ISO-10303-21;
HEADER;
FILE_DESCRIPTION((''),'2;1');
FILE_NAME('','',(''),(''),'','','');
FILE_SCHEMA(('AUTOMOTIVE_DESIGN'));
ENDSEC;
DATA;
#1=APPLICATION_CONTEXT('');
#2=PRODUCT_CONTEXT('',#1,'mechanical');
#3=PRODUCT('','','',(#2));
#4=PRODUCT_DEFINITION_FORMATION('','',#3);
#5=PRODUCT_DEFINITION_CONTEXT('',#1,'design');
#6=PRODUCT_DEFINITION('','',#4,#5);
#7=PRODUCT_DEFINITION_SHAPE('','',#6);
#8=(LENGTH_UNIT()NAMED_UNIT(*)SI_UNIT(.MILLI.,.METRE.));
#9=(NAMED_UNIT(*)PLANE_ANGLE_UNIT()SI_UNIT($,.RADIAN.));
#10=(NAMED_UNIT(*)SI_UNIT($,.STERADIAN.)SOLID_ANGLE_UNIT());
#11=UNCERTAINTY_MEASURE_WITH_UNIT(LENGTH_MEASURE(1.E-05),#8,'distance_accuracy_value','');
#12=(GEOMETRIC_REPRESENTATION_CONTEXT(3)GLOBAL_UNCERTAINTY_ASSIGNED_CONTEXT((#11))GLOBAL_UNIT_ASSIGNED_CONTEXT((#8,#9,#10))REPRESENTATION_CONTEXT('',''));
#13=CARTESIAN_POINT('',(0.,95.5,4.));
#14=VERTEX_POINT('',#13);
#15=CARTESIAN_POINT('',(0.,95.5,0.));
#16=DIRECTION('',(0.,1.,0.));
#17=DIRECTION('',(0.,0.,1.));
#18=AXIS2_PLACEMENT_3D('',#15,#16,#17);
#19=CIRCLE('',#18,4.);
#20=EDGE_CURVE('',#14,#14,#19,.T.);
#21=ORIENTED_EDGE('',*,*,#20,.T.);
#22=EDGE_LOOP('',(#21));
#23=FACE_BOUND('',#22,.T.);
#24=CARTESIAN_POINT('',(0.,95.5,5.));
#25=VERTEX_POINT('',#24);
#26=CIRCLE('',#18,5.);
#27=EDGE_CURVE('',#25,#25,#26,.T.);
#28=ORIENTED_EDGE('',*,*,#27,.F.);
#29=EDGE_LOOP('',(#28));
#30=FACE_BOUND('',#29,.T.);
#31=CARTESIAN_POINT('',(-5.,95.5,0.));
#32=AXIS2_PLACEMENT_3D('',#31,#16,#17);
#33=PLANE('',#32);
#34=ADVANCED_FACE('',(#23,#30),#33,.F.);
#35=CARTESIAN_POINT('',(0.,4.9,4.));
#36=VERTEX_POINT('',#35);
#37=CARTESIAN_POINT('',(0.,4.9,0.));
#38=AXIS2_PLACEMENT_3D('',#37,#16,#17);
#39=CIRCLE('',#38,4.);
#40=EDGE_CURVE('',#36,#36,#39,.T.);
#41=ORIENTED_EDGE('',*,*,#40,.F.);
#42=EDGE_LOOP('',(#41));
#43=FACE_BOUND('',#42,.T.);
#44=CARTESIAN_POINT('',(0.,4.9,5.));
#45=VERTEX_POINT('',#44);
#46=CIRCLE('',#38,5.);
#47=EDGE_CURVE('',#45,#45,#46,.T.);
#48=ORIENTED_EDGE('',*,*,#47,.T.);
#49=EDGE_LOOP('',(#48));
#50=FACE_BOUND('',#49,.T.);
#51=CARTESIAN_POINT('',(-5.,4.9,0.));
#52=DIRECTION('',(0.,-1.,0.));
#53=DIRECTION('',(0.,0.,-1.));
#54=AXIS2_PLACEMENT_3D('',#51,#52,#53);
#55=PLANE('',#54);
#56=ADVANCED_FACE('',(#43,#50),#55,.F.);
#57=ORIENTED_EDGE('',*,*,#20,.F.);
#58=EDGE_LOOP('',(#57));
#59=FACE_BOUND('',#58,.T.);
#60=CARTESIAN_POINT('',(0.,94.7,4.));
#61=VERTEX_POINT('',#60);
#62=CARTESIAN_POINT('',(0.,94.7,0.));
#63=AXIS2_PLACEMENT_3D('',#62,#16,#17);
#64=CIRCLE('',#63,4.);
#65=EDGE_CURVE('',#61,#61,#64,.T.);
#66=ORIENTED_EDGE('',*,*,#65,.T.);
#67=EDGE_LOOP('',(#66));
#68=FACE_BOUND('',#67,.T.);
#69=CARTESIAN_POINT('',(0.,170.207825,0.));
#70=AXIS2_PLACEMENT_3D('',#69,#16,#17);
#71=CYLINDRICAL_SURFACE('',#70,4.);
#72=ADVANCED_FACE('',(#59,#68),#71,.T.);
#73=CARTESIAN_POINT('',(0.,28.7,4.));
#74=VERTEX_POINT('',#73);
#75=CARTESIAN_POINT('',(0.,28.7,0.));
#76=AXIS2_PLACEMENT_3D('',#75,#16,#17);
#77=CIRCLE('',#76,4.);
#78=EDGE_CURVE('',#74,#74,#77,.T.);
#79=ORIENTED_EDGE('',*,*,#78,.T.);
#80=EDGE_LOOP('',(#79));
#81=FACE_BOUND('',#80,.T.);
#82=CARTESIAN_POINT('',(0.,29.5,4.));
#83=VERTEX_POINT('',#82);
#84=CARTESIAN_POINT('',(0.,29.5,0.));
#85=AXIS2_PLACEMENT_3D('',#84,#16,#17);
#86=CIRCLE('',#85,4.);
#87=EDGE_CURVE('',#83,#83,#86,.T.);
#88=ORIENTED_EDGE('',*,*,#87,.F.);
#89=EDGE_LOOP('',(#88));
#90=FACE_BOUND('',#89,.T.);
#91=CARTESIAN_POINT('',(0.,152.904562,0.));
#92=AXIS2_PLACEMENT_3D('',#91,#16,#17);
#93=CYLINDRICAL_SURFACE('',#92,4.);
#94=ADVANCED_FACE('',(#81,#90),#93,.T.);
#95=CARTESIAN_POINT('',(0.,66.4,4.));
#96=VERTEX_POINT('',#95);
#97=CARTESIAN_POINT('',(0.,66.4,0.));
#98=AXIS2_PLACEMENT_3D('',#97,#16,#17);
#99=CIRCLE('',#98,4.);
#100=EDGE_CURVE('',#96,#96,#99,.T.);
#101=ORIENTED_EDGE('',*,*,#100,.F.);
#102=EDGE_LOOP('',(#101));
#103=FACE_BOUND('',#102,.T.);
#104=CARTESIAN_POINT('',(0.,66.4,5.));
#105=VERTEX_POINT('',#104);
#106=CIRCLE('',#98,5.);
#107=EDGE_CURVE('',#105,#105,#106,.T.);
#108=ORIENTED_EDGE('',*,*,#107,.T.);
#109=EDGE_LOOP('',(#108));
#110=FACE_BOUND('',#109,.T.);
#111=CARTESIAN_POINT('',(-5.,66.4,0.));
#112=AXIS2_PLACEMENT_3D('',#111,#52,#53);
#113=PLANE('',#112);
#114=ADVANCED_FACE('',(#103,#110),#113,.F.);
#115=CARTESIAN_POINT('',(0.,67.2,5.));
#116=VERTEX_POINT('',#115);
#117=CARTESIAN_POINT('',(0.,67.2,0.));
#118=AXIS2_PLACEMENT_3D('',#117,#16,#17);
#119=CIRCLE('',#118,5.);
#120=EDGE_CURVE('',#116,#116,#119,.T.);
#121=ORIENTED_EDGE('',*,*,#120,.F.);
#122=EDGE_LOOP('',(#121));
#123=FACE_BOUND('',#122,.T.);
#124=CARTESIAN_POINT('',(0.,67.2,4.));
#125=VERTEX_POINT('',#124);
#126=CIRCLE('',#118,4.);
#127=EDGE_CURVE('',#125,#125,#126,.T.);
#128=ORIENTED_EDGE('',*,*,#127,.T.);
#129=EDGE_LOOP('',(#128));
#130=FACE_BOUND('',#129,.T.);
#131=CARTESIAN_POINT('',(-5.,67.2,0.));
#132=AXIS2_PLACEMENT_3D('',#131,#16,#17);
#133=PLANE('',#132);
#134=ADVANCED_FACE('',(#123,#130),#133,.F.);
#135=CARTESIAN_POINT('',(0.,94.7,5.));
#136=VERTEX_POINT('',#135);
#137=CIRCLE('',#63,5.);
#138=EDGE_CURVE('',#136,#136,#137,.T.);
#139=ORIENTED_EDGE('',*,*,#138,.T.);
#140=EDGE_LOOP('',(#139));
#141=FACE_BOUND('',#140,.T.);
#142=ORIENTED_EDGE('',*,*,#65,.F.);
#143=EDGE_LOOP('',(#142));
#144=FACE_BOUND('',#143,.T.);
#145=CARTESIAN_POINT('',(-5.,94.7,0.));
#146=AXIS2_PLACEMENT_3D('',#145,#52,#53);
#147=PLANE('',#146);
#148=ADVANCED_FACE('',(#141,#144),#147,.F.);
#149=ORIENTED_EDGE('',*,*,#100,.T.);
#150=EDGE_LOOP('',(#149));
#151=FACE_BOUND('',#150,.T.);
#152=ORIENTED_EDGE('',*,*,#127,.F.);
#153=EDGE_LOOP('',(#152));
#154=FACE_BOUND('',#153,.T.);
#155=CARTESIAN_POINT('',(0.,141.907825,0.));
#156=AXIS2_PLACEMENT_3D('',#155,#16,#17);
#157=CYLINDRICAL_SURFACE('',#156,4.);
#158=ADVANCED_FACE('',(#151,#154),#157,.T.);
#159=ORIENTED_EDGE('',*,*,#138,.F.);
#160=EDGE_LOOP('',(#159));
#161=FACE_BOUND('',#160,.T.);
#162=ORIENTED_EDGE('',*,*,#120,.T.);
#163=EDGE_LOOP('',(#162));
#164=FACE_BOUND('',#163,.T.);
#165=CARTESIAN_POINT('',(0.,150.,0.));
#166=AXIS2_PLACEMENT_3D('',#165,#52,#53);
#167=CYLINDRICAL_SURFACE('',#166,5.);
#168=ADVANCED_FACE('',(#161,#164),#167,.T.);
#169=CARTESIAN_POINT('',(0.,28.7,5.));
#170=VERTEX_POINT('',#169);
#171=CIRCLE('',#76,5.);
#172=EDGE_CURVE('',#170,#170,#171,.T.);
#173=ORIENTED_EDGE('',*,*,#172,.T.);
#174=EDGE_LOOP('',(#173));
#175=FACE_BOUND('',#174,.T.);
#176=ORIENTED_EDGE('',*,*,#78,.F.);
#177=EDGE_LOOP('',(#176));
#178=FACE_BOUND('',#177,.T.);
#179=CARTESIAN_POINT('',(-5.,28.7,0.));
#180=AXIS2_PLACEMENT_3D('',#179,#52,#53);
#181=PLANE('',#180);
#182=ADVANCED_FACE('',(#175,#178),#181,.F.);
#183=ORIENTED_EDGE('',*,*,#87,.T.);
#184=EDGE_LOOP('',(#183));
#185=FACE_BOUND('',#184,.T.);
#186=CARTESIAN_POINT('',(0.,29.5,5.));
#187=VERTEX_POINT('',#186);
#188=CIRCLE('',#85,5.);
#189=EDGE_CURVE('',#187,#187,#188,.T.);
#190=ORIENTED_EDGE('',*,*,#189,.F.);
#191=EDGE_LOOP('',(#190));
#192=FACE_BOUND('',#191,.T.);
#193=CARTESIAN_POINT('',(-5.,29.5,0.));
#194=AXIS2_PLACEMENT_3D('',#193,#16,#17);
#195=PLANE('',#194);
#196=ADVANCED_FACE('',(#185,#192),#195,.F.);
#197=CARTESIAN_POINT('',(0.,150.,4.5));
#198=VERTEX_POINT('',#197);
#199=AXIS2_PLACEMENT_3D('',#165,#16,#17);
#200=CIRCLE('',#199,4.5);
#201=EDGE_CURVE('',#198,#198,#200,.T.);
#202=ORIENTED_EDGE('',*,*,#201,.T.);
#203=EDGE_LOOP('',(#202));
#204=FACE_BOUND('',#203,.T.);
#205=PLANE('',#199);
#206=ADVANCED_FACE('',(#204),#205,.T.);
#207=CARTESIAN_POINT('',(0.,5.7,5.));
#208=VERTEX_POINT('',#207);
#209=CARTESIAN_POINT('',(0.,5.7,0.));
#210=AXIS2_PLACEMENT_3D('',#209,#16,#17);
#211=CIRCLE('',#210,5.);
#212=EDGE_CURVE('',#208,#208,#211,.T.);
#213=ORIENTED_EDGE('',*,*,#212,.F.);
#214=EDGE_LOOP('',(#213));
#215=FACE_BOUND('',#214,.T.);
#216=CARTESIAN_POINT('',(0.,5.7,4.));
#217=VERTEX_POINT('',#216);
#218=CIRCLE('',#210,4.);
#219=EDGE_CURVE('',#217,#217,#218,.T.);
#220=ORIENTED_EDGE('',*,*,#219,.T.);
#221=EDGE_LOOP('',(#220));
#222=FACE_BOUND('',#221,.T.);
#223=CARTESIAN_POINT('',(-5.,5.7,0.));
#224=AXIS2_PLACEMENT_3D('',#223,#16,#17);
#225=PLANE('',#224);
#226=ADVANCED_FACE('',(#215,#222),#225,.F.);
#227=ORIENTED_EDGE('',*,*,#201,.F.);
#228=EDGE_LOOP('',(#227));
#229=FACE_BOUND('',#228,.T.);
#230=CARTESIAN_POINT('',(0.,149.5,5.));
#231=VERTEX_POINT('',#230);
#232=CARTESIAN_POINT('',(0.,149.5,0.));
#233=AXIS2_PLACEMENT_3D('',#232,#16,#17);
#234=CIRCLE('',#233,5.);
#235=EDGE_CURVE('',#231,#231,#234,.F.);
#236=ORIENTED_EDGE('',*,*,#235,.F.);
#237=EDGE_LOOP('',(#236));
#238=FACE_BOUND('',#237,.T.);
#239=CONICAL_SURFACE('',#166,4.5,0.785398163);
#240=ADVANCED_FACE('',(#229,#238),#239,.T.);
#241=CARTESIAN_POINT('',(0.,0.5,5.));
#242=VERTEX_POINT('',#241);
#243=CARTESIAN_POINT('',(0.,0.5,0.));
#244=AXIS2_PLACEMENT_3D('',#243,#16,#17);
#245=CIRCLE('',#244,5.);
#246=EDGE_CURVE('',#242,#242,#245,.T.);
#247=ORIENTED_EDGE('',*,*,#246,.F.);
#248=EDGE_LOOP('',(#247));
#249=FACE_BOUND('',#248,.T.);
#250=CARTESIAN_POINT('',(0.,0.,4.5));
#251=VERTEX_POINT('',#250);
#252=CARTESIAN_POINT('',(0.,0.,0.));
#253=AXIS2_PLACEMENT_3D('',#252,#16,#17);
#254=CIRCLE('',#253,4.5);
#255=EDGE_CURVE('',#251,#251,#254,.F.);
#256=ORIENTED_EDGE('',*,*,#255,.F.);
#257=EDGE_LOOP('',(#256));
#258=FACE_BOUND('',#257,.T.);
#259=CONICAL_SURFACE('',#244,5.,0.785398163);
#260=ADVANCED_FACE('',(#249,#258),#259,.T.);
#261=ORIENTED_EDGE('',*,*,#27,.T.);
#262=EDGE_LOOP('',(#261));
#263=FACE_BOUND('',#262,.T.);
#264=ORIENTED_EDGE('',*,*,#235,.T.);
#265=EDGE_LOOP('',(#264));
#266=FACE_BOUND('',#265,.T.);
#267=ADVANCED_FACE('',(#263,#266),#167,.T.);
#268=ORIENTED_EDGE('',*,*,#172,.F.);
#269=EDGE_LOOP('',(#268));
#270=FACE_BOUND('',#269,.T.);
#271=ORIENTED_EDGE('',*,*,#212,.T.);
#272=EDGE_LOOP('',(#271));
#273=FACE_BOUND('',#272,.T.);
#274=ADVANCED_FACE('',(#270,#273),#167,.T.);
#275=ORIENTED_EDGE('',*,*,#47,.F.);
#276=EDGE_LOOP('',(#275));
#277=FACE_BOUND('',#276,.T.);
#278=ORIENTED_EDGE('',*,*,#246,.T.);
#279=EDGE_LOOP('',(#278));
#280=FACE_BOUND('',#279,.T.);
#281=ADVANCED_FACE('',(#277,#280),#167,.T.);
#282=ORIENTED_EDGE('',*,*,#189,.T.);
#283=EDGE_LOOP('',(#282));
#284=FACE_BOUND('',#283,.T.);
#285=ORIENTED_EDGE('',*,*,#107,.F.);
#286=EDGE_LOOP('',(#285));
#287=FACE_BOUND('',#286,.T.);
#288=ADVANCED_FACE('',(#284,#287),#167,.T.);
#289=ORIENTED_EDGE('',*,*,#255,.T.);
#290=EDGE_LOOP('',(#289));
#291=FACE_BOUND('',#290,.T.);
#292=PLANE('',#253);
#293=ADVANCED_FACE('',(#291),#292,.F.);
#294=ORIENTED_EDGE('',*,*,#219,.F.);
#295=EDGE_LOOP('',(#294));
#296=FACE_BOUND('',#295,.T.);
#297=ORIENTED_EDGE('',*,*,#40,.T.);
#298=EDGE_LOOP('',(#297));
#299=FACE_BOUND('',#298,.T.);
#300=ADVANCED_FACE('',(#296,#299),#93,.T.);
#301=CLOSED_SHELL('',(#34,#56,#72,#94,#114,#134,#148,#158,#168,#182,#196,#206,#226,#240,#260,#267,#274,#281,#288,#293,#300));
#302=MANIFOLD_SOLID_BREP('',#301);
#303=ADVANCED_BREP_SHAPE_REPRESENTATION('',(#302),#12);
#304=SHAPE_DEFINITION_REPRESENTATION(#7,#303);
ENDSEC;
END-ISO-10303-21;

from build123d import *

# Parameters (mm, degrees)
SKETCH1_R           = 5
BOSS_EXTRUDE1_DEPTH = 150
CHAMFER1_SIZE       = 0.5
SKETCH2_W           = 1
SKETCH2_H           = 0.8
LPATTERN1_COUNT     = 2
LPATTERN1_PITCH     = 28.3
SKETCH3_W           = 1
SKETCH3_H           = 0.8


with BuildPart() as part:
    # Sketch1 → Boss-Extrude1 (new body)
    with BuildSketch(Plane(origin=(0, 0, 0), x_dir=(1, 0, 0), z_dir=(0, 1, 0))):
        with Locations(Location((0, 0, 0), (0, 0, 270))):
            Circle(SKETCH1_R)
    extrude(amount=BOSS_EXTRUDE1_DEPTH)

    # Chamfer1
    chamfer1_edges = [part.edges().sort_by_distance(p)[0] for p in [
        (0, 0, -5),
        (0, 150, -5),
    ]]
    chamfer(chamfer1_edges, length=CHAMFER1_SIZE)

    # Sketch2 → Cut-Revolve1 (revolve, cut)
    with BuildSketch(Plane.XY, mode=Mode.PRIVATE) as cut_revolve1_sk:
        with Locations((-4.5, 66.8)):
            Rectangle(SKETCH2_W, SKETCH2_H)
    cut_revolve1 = revolve(cut_revolve1_sk.sketch.rotate(Axis((0, 141.907824912, 0), (0, -1, 0)), 270), axis=Axis((0, 141.907824912, 0), (0, -1, 0)), mode=Mode.SUBTRACT)

    # LPattern1: Cut-Revolve1 ×2
    with Locations(*[(0, i * LPATTERN1_PITCH, 0) for i in range(1, LPATTERN1_COUNT)]):
        add(cut_revolve1, mode=Mode.SUBTRACT)

    # Sketch3 → Cut-Revolve2 (revolve, cut)
    with BuildSketch(Plane.XY, mode=Mode.PRIVATE) as cut_revolve2_sk:
        with Locations((-4.5, 5.3)):
            Rectangle(SKETCH3_W, SKETCH3_H)
        with Locations((-4.5, 29.1)):
            Rectangle(SKETCH3_W, SKETCH3_H)
    revolve(cut_revolve2_sk.sketch.rotate(Axis((0, 152.904561978, 0), (0, -1, 0)), 270), axis=Axis((0, 152.904561978, 0), (0, -1, 0)), mode=Mode.SUBTRACT)


solid = part.part
